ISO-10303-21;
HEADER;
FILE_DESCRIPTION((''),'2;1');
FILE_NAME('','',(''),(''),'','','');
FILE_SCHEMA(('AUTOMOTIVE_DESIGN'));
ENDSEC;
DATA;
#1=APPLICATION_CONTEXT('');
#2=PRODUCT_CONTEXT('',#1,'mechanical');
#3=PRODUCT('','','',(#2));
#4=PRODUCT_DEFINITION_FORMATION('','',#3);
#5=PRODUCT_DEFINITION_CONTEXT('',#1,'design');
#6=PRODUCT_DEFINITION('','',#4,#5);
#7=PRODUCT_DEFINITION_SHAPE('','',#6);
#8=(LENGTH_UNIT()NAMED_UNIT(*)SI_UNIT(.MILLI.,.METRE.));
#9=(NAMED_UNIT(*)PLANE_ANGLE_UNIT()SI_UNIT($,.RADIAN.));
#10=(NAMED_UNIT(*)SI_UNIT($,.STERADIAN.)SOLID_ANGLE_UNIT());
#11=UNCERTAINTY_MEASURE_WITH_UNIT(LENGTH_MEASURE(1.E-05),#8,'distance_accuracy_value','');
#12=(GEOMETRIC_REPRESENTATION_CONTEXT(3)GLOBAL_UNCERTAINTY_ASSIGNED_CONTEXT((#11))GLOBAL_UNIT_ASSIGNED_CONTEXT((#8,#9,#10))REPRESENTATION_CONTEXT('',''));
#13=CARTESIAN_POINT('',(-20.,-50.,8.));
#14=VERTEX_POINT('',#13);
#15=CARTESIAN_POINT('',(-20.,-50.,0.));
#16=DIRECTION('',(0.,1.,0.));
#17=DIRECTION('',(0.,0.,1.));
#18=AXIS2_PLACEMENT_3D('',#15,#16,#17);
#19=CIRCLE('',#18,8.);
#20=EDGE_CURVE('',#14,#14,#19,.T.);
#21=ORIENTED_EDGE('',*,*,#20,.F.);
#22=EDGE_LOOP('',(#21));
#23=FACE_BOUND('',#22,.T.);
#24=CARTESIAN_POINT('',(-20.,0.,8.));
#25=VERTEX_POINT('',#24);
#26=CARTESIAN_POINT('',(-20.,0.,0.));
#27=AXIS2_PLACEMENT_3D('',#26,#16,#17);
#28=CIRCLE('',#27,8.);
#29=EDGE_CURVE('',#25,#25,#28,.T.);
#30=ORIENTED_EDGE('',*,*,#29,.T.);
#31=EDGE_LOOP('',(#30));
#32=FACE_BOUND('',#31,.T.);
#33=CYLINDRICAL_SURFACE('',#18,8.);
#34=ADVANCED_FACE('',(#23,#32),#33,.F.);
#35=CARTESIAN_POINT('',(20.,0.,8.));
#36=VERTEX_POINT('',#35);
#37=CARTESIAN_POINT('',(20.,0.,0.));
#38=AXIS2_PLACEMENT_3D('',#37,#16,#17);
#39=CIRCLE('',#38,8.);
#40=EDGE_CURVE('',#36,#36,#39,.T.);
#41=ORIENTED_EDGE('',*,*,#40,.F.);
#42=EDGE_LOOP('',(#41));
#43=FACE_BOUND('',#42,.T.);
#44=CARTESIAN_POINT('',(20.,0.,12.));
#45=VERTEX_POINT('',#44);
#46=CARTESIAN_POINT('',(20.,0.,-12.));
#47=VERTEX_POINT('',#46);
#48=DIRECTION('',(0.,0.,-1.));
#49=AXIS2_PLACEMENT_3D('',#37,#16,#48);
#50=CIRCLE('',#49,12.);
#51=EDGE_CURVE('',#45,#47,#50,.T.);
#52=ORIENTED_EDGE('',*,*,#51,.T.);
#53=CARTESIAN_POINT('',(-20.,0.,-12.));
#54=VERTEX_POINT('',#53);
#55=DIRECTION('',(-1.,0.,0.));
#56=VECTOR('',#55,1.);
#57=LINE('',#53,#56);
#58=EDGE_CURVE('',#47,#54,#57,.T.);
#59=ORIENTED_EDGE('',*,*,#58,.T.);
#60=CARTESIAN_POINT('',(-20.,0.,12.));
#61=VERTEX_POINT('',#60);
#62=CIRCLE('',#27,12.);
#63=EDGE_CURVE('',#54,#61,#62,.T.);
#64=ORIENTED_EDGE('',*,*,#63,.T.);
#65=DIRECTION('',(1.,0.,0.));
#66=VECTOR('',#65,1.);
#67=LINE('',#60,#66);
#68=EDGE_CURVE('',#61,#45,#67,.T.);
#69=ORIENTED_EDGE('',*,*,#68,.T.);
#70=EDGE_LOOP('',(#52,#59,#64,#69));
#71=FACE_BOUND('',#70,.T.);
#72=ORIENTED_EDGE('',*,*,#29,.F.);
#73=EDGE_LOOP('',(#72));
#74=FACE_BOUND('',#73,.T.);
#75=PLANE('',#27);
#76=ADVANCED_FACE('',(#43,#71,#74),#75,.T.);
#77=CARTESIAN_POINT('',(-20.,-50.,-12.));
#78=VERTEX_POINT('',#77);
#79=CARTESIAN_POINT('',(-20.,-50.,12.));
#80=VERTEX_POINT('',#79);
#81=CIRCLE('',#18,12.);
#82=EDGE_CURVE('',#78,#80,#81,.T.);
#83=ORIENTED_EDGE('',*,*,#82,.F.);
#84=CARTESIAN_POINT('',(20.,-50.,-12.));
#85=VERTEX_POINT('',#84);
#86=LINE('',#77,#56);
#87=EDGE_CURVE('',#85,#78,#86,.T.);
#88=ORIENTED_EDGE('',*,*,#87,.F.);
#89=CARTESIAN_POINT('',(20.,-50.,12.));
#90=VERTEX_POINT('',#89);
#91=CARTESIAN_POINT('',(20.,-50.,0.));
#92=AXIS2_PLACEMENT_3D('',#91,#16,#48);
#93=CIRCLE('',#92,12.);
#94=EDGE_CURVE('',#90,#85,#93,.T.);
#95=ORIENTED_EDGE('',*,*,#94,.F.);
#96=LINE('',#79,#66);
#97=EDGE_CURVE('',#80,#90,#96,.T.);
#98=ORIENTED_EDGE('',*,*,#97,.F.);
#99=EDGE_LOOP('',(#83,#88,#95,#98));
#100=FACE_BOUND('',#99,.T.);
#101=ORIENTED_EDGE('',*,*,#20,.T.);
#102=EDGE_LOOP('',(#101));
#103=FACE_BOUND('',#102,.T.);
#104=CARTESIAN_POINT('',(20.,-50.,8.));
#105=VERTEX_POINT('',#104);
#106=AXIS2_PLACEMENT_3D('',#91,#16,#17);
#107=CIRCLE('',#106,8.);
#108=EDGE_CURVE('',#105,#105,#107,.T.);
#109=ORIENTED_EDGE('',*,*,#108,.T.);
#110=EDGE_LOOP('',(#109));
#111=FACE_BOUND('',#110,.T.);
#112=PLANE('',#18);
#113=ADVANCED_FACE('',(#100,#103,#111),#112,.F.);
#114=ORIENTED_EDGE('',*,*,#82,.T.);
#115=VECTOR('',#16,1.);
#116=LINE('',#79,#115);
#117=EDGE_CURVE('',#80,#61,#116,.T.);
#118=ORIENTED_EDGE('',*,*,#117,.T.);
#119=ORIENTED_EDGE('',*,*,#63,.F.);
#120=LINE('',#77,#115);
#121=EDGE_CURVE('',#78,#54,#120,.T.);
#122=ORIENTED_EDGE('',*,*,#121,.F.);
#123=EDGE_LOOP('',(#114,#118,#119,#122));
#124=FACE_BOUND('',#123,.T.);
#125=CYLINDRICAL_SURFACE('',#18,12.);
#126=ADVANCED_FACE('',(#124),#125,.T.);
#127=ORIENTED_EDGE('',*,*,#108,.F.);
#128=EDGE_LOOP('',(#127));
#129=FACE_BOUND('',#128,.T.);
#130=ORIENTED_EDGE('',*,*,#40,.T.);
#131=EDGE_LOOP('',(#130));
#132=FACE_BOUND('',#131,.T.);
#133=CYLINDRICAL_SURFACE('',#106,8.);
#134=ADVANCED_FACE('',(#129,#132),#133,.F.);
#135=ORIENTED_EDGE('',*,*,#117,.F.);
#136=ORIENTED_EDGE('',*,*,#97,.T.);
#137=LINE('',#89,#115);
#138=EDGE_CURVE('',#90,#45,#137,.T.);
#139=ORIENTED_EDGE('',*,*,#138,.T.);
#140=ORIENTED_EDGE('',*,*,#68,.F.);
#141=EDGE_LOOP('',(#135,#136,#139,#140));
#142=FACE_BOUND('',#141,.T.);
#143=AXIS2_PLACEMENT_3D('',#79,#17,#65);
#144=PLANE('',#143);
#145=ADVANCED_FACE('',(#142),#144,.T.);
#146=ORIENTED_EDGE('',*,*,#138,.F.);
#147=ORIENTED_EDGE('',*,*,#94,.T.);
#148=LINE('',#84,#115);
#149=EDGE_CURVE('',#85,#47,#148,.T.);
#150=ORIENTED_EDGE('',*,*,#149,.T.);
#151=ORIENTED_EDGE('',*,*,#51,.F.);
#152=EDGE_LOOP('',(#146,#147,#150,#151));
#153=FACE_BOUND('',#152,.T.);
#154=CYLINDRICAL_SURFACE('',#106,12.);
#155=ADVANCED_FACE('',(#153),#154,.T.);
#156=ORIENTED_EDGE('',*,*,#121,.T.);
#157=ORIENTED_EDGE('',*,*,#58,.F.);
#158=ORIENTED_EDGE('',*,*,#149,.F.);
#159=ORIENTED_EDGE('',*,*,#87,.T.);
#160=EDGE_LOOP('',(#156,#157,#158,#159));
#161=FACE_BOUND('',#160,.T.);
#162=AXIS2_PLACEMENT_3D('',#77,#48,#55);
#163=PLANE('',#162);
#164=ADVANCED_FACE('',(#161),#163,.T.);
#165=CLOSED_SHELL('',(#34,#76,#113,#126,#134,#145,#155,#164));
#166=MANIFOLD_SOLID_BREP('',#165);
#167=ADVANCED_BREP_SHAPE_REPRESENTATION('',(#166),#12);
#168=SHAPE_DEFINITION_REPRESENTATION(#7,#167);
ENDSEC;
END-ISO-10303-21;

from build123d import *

# Parameters (mm, degrees)
SKETCH1_R           = 8
BOSS_EXTRUDE1_DEPTH = 50


with BuildPart() as part:
    # Sketch1 → Boss-Extrude1 (new body)
    with BuildSketch(Plane(origin=(0, 0, 0), x_dir=(1, 0, 0), z_dir=(0, 1, 0))):
        with BuildLine():
            Line((-20, 12), (20, 12))
            ThreePointArc((20, 12), (32, 0), (20, -12))
            Line((20, -12), (-20, -12))
            ThreePointArc((-20, -12), (-32, 0), (-20, 12))
        make_face()
        with Locations(Location((-20, 0, 0), (0, 0, 270))):
            Circle(SKETCH1_R, mode=Mode.SUBTRACT)
        with Locations(Location((20, 0, 0), (0, 0, 270))):
            Circle(SKETCH1_R, mode=Mode.SUBTRACT)
    extrude(amount=-BOSS_EXTRUDE1_DEPTH)


solid = part.part
